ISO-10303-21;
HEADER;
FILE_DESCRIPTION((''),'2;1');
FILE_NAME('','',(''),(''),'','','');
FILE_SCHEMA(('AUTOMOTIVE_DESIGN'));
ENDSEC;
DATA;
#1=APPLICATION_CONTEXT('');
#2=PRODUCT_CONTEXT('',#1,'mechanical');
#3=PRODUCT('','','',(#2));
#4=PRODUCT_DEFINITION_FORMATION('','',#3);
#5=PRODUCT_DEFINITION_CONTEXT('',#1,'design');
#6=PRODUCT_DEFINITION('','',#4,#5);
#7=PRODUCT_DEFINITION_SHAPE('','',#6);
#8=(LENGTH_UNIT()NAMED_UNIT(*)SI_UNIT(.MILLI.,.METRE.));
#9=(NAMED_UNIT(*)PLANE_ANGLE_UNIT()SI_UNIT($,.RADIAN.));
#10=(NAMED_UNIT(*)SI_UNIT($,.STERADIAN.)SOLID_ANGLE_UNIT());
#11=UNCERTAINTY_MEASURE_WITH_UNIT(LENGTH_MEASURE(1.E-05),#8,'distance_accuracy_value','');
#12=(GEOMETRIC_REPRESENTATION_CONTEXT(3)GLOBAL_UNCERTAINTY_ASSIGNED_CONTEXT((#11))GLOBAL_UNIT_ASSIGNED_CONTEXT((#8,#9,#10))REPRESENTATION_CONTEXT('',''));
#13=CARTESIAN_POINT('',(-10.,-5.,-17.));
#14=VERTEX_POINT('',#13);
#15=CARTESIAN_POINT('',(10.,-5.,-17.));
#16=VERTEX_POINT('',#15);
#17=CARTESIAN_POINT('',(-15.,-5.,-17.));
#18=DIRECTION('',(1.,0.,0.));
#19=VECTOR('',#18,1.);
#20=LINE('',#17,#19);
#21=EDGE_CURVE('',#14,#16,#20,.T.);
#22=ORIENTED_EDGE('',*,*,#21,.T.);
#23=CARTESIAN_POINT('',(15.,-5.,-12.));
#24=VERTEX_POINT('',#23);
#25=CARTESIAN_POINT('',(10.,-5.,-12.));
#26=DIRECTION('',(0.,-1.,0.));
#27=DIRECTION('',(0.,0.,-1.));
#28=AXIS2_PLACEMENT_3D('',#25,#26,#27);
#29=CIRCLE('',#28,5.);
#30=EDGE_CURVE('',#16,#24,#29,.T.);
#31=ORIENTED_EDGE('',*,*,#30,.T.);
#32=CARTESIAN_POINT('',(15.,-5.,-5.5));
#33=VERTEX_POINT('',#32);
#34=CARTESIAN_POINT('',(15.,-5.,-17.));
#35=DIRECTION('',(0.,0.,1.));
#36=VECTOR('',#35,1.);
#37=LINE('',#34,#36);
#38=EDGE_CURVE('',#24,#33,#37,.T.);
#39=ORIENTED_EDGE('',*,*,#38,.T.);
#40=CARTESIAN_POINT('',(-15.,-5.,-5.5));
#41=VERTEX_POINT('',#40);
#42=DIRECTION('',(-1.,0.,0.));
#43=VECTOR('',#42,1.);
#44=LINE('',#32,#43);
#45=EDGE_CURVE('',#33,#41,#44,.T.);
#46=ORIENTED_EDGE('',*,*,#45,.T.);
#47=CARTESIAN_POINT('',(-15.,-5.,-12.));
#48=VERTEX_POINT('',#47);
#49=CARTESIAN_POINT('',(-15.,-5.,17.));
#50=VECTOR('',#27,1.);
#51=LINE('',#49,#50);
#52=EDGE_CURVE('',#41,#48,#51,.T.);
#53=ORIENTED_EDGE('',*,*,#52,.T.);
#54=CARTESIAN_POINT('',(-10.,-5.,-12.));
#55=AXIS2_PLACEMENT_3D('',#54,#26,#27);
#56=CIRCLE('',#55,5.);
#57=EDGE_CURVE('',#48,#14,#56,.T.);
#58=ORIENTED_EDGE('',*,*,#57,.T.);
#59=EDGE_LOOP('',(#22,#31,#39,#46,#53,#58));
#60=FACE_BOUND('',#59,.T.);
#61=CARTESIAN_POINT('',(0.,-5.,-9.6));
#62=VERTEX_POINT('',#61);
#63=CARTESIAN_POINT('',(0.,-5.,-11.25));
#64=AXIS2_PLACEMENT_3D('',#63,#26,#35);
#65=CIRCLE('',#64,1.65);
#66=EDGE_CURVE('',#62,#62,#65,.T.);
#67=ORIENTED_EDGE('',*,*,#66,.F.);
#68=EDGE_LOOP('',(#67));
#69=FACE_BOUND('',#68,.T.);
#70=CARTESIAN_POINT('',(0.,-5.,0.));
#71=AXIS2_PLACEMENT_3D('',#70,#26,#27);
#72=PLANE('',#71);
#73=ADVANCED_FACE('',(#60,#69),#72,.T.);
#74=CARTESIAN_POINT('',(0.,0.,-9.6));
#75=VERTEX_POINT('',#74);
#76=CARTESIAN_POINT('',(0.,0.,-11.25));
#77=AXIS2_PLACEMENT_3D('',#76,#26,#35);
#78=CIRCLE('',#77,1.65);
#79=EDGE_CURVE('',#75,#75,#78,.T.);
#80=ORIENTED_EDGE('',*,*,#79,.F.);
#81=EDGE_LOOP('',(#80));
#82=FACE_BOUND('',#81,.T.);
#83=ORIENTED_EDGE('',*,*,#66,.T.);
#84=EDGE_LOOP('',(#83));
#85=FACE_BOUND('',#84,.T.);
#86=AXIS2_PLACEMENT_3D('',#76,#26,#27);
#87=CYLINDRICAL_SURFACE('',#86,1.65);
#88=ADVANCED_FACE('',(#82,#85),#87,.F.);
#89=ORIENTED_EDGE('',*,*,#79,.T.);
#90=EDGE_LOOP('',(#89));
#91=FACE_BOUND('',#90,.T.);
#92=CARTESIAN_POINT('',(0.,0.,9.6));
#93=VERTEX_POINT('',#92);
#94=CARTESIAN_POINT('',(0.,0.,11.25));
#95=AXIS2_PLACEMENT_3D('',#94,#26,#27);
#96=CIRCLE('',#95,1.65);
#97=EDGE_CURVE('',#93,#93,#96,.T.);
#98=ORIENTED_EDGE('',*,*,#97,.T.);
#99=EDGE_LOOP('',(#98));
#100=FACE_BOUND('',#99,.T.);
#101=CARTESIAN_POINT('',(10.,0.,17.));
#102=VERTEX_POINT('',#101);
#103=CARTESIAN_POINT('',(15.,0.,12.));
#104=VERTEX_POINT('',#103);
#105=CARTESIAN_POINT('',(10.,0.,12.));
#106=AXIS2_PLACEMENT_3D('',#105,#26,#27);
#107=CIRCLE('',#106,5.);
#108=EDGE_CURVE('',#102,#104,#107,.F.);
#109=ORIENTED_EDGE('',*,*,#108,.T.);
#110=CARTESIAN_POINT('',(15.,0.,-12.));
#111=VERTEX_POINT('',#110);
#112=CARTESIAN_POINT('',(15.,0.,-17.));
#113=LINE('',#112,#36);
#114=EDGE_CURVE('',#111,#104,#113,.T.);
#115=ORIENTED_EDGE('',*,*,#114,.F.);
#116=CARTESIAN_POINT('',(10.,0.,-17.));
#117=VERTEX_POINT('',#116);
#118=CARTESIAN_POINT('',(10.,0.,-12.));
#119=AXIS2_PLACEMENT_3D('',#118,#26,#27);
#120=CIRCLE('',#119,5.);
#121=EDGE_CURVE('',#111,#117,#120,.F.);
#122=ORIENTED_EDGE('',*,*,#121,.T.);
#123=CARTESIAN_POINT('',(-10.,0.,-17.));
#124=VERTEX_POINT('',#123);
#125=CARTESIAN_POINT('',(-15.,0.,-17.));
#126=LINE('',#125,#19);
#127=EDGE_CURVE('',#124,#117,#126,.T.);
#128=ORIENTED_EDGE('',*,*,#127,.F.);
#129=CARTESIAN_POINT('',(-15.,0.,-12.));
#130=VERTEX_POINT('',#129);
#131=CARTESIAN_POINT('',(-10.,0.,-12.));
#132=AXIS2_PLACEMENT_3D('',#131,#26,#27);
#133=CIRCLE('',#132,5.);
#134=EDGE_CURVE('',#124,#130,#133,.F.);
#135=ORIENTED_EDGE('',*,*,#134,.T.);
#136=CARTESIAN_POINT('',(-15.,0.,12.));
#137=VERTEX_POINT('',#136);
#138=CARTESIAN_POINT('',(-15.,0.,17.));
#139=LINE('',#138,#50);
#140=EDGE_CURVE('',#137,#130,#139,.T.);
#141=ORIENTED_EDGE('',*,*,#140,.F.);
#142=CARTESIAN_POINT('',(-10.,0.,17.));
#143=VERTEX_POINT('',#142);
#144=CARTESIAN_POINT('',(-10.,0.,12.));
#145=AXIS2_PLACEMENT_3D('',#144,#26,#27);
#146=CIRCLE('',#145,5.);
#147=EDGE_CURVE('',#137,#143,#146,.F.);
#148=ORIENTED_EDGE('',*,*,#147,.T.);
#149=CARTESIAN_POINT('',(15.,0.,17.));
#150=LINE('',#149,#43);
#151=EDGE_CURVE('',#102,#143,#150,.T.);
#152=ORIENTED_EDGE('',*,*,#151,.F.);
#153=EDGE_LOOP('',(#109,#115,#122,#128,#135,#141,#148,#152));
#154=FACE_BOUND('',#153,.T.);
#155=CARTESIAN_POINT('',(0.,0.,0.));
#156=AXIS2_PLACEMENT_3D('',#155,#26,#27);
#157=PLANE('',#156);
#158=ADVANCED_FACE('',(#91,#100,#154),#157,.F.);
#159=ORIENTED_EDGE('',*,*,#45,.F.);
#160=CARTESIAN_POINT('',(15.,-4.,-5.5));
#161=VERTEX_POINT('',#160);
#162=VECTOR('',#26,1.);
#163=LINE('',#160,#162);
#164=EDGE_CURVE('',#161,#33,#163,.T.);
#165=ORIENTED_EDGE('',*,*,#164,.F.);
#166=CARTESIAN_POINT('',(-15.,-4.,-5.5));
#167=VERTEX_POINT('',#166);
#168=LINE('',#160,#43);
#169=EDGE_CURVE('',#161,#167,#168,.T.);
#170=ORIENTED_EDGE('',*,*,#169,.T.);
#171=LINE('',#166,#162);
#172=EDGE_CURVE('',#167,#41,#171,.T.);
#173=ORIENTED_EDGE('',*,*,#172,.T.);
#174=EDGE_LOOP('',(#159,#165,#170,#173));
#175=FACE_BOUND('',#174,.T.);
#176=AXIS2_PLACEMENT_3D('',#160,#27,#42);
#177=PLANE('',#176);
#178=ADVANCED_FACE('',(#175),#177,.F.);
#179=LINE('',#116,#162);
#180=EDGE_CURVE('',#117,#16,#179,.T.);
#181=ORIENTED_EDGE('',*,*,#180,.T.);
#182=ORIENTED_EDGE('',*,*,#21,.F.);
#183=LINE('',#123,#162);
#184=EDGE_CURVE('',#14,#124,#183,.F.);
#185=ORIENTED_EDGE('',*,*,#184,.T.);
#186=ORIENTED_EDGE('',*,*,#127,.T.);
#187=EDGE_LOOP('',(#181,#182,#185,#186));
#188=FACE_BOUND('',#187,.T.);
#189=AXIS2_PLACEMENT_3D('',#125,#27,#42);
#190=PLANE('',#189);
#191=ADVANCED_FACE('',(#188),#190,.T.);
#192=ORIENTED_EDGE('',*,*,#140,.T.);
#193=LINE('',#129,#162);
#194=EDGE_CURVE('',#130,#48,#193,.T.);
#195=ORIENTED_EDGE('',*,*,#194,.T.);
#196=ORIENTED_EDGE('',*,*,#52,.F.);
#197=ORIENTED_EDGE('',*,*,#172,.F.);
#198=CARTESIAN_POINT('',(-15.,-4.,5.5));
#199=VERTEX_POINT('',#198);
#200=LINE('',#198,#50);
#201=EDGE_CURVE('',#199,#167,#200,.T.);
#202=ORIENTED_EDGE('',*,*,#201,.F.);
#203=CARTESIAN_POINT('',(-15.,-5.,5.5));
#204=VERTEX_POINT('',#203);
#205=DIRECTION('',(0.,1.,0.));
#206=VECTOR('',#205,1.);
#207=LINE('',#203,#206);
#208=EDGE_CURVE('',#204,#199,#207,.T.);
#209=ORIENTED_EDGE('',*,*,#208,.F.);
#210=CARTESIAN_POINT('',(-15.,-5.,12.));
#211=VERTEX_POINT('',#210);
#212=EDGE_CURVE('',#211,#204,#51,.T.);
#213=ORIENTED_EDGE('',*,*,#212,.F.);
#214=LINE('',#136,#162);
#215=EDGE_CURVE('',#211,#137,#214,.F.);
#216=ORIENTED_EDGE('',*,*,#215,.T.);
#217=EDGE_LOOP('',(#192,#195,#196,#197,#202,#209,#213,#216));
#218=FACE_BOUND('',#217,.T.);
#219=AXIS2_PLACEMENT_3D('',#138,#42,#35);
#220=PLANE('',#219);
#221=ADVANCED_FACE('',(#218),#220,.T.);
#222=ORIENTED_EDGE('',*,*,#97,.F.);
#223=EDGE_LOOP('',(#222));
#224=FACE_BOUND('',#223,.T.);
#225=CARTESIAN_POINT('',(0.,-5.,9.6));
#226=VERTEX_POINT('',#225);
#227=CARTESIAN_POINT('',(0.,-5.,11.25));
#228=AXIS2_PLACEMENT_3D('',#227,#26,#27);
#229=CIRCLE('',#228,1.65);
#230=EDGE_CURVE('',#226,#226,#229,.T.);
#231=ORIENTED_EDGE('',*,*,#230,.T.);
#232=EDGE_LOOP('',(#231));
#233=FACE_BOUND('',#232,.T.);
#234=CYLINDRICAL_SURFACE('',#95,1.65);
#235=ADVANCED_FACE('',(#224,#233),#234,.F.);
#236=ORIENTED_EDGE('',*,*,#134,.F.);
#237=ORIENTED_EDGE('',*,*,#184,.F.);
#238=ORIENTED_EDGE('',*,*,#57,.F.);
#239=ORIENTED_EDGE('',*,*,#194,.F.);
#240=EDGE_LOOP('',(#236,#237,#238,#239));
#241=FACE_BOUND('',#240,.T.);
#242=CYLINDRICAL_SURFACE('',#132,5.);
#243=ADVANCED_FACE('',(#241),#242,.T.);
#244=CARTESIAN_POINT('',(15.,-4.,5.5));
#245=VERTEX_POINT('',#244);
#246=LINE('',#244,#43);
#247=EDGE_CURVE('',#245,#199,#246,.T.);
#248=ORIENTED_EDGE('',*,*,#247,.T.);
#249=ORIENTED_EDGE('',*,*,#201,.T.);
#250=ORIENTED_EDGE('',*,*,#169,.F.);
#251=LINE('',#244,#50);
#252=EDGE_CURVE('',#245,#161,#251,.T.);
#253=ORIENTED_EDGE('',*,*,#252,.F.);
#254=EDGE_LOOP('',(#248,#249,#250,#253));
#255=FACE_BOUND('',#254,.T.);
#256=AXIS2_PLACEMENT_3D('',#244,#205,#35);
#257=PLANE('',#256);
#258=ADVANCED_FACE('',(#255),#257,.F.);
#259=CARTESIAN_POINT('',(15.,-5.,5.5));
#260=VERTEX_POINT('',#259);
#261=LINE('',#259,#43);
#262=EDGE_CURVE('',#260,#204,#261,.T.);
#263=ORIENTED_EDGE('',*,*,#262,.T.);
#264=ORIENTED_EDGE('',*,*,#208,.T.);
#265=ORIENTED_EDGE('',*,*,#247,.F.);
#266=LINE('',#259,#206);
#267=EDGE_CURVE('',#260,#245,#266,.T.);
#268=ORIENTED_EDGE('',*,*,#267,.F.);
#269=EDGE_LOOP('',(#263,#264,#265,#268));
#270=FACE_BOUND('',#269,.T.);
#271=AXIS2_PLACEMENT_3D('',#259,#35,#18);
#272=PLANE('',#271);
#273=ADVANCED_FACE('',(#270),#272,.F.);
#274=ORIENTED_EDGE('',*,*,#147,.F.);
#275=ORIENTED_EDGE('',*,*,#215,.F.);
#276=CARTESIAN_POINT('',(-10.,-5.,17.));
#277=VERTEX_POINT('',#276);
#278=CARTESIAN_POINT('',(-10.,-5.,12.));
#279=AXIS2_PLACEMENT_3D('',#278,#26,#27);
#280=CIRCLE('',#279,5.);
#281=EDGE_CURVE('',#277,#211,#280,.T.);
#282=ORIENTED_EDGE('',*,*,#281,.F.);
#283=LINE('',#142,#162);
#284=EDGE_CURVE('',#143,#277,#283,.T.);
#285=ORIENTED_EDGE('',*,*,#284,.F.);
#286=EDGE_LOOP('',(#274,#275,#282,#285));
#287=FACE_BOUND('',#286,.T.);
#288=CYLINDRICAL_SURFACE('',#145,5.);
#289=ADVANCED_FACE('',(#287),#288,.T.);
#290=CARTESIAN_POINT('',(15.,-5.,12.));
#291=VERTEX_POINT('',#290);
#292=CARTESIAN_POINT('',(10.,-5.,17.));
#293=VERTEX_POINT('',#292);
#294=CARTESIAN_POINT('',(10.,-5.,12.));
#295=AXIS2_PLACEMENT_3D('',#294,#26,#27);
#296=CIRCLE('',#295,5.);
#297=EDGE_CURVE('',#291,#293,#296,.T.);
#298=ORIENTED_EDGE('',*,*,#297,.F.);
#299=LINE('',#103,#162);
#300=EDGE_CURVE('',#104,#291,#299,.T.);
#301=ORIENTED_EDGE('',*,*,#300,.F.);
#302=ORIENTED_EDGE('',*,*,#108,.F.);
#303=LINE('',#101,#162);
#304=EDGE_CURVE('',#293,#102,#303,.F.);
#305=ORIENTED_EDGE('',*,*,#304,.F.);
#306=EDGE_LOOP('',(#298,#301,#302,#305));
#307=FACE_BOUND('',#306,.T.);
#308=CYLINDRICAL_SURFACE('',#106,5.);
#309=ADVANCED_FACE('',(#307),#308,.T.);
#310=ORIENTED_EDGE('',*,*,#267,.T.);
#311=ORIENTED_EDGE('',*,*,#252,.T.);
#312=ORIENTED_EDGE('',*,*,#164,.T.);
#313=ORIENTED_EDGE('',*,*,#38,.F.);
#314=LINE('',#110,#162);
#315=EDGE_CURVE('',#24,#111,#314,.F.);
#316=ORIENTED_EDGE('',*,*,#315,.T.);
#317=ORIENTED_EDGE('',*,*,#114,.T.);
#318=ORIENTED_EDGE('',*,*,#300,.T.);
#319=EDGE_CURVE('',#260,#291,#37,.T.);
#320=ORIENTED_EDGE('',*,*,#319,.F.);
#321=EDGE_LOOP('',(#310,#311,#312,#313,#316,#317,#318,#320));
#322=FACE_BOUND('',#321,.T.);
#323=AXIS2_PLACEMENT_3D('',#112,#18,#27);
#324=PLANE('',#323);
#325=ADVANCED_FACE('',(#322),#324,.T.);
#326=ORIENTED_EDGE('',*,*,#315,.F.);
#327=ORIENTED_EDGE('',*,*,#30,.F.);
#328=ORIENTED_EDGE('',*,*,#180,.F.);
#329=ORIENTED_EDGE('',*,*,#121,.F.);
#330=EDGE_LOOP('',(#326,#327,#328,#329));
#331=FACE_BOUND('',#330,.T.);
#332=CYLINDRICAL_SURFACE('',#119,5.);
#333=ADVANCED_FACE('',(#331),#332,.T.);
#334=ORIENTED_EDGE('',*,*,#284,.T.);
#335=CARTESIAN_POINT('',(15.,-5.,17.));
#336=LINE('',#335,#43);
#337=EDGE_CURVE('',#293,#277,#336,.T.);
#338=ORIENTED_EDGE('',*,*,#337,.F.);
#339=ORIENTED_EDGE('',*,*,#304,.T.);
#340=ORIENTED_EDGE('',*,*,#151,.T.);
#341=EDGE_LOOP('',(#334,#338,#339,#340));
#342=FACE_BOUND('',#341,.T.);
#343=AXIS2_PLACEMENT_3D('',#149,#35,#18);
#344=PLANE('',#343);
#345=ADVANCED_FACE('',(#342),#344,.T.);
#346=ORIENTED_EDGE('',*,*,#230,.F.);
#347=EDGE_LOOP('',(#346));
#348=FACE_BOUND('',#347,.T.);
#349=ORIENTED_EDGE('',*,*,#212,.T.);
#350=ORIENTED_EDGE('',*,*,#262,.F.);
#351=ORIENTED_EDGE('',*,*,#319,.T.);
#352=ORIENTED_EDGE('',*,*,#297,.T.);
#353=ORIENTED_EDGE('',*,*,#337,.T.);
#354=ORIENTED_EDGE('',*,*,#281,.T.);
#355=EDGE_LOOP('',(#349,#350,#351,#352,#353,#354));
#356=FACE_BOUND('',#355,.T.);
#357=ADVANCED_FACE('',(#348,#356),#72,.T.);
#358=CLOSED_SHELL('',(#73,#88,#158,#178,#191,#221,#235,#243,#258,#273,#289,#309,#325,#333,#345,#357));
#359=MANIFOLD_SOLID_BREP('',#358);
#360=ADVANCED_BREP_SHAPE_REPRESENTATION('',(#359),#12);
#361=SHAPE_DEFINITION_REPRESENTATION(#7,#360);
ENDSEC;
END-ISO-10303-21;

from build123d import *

# Parameters (mm, degrees)
SKETCH1_W           = 30
SKETCH1_H           = 34
BOSS_EXTRUDE1_DEPTH = 5
SKETCH2_W           = 11
SKETCH2_H           = 1
CUT_EXTRUDE1_DEPTH  = 31
FILLET1_R           = 5
SKETCH6_R           = 1.65
CUT_EXTRUDE2_DEPTH  = 6


with BuildPart() as part:
    # Sketch1 → Boss-Extrude1 (new body)
    with BuildSketch(Plane.XZ.offset(5)):
        Rectangle(SKETCH1_W, SKETCH1_H)
    extrude(amount=-BOSS_EXTRUDE1_DEPTH)

    # Sketch2 → Cut-Extrude1 (cut, through all)
    with BuildSketch(Plane.ZY.offset(15)):
        with Locations((0, -4.5)):
            Rectangle(SKETCH2_W, SKETCH2_H)
    extrude(amount=-CUT_EXTRUDE1_DEPTH, mode=Mode.SUBTRACT)

    # Fillet1
    fillet1_edges = [part.edges().sort_by_distance(p)[0] for p in [
        (15, -2.5, 17),
        (15, -2.5, -17),
        (-15, -2.5, -17),
        (-15, -2.5, 17),
    ]]
    fillet(fillet1_edges, radius=FILLET1_R)

    # Sketch6 → Cut-Extrude2 (cut, through all)
    with BuildSketch(Plane.XZ.offset(5)):
        with Locations((0, 11.25)):
            Circle(SKETCH6_R)
        with Locations((0, -11.25)):
            Circle(SKETCH6_R)
    extrude(amount=-CUT_EXTRUDE2_DEPTH, mode=Mode.SUBTRACT)


solid = part.part
